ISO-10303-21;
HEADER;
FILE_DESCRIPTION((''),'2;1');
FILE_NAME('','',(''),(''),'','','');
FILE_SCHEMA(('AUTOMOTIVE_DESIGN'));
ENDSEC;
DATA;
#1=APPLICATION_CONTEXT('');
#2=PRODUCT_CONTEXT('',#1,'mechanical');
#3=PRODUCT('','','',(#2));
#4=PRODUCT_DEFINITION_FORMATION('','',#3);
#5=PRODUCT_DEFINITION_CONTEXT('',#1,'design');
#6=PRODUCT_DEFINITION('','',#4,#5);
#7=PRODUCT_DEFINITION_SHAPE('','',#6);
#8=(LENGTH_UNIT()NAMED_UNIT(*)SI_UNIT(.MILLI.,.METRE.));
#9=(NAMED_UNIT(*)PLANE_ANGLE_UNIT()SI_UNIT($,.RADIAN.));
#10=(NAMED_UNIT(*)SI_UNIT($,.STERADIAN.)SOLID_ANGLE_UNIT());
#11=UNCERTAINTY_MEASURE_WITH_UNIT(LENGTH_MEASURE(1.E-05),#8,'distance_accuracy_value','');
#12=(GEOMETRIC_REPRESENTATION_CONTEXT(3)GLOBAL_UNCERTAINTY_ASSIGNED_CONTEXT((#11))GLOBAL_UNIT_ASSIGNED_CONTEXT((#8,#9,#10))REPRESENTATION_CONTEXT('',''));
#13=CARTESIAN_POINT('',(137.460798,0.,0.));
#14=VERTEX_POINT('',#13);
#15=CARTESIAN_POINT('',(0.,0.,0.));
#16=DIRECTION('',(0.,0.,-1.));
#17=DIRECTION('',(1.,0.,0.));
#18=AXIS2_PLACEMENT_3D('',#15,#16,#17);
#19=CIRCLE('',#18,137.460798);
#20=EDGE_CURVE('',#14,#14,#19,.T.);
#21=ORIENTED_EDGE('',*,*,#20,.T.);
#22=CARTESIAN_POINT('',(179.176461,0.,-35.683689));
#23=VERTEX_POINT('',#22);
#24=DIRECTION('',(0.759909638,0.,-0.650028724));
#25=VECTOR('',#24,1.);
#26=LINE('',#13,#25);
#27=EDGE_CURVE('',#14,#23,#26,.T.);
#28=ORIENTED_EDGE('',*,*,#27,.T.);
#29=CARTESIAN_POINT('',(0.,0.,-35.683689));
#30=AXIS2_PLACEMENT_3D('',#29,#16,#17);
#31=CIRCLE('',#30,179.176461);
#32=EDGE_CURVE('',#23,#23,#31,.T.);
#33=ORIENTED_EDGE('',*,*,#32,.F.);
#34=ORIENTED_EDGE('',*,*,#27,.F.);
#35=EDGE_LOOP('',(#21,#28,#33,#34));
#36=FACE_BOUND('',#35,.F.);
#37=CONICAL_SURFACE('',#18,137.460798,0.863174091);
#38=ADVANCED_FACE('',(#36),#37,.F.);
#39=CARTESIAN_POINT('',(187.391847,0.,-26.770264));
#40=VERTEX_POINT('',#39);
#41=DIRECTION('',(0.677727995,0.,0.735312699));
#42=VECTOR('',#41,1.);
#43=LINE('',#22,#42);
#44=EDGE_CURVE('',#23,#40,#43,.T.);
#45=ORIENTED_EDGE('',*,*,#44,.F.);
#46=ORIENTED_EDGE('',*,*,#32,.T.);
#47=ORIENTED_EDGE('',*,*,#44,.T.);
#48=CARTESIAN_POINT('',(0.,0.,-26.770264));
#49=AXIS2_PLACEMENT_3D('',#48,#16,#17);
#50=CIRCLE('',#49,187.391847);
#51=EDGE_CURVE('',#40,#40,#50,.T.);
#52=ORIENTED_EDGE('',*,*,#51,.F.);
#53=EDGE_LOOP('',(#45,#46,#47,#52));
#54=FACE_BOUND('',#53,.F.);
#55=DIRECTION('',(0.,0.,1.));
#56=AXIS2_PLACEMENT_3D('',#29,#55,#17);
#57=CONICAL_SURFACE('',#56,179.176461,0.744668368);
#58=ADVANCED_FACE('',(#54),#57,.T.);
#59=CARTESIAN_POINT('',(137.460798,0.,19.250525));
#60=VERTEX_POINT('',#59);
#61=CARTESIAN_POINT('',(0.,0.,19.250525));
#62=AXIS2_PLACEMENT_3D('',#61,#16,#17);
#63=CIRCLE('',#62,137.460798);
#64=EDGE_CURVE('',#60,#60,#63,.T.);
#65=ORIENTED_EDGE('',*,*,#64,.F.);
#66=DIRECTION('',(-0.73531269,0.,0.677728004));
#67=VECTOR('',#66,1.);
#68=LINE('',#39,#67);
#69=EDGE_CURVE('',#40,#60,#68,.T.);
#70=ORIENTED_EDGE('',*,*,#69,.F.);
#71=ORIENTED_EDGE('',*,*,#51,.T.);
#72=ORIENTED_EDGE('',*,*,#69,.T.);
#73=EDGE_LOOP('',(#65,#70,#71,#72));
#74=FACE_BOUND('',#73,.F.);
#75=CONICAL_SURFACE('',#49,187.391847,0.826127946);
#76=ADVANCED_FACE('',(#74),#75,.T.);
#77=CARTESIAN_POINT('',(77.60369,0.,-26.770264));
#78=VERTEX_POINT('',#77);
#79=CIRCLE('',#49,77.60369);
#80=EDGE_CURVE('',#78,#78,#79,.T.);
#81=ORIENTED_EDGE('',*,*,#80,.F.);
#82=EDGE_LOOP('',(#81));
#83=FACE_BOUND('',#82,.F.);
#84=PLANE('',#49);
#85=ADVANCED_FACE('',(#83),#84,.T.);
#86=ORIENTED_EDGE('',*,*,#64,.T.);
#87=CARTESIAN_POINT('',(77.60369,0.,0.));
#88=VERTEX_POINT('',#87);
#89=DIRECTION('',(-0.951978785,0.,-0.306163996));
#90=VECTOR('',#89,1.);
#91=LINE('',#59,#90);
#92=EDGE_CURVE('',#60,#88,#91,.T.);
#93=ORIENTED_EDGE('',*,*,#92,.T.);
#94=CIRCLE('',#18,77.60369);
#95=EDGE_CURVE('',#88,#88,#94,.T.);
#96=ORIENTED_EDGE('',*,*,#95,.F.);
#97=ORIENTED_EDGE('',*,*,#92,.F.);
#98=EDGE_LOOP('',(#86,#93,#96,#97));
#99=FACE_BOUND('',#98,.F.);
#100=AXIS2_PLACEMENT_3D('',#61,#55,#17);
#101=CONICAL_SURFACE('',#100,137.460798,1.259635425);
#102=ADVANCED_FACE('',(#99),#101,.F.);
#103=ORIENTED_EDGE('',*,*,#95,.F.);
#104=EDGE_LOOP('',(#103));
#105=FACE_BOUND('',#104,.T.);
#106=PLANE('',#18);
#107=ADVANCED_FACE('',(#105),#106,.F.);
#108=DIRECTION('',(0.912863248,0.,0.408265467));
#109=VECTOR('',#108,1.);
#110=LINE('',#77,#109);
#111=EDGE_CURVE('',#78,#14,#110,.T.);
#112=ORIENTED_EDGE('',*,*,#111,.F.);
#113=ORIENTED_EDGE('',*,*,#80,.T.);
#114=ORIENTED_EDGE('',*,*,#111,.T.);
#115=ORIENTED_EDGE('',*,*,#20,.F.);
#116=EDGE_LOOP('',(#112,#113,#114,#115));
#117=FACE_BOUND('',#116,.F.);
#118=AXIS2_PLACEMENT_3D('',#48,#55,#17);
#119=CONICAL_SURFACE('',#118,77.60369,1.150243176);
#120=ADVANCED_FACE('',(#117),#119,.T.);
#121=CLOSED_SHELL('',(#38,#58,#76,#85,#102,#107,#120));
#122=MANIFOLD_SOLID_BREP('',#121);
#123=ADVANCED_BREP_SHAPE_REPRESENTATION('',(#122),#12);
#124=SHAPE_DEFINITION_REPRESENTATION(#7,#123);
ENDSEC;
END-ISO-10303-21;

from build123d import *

# Parameters (mm, degrees)
F0_W = 77.60369
F0_H = 26.770264


with BuildPart() as f1:
    # F0 (on Front) → F1 (revolve)
    with BuildSketch(Plane.XZ):
        Polygon((137.460798, 19.250525), (77.60369, 0), (77.60369, -26.770264), (137.460798, 0), (179.176461, -35.683689), (187.391847, -26.770264), align=None)
        with Locations((38.801845, -13.385132)):
            Rectangle(F0_W, F0_H)
    revolve(axis=Axis((0, 0, -13.385132), (0, 0, -1)))


solid = f1.part
